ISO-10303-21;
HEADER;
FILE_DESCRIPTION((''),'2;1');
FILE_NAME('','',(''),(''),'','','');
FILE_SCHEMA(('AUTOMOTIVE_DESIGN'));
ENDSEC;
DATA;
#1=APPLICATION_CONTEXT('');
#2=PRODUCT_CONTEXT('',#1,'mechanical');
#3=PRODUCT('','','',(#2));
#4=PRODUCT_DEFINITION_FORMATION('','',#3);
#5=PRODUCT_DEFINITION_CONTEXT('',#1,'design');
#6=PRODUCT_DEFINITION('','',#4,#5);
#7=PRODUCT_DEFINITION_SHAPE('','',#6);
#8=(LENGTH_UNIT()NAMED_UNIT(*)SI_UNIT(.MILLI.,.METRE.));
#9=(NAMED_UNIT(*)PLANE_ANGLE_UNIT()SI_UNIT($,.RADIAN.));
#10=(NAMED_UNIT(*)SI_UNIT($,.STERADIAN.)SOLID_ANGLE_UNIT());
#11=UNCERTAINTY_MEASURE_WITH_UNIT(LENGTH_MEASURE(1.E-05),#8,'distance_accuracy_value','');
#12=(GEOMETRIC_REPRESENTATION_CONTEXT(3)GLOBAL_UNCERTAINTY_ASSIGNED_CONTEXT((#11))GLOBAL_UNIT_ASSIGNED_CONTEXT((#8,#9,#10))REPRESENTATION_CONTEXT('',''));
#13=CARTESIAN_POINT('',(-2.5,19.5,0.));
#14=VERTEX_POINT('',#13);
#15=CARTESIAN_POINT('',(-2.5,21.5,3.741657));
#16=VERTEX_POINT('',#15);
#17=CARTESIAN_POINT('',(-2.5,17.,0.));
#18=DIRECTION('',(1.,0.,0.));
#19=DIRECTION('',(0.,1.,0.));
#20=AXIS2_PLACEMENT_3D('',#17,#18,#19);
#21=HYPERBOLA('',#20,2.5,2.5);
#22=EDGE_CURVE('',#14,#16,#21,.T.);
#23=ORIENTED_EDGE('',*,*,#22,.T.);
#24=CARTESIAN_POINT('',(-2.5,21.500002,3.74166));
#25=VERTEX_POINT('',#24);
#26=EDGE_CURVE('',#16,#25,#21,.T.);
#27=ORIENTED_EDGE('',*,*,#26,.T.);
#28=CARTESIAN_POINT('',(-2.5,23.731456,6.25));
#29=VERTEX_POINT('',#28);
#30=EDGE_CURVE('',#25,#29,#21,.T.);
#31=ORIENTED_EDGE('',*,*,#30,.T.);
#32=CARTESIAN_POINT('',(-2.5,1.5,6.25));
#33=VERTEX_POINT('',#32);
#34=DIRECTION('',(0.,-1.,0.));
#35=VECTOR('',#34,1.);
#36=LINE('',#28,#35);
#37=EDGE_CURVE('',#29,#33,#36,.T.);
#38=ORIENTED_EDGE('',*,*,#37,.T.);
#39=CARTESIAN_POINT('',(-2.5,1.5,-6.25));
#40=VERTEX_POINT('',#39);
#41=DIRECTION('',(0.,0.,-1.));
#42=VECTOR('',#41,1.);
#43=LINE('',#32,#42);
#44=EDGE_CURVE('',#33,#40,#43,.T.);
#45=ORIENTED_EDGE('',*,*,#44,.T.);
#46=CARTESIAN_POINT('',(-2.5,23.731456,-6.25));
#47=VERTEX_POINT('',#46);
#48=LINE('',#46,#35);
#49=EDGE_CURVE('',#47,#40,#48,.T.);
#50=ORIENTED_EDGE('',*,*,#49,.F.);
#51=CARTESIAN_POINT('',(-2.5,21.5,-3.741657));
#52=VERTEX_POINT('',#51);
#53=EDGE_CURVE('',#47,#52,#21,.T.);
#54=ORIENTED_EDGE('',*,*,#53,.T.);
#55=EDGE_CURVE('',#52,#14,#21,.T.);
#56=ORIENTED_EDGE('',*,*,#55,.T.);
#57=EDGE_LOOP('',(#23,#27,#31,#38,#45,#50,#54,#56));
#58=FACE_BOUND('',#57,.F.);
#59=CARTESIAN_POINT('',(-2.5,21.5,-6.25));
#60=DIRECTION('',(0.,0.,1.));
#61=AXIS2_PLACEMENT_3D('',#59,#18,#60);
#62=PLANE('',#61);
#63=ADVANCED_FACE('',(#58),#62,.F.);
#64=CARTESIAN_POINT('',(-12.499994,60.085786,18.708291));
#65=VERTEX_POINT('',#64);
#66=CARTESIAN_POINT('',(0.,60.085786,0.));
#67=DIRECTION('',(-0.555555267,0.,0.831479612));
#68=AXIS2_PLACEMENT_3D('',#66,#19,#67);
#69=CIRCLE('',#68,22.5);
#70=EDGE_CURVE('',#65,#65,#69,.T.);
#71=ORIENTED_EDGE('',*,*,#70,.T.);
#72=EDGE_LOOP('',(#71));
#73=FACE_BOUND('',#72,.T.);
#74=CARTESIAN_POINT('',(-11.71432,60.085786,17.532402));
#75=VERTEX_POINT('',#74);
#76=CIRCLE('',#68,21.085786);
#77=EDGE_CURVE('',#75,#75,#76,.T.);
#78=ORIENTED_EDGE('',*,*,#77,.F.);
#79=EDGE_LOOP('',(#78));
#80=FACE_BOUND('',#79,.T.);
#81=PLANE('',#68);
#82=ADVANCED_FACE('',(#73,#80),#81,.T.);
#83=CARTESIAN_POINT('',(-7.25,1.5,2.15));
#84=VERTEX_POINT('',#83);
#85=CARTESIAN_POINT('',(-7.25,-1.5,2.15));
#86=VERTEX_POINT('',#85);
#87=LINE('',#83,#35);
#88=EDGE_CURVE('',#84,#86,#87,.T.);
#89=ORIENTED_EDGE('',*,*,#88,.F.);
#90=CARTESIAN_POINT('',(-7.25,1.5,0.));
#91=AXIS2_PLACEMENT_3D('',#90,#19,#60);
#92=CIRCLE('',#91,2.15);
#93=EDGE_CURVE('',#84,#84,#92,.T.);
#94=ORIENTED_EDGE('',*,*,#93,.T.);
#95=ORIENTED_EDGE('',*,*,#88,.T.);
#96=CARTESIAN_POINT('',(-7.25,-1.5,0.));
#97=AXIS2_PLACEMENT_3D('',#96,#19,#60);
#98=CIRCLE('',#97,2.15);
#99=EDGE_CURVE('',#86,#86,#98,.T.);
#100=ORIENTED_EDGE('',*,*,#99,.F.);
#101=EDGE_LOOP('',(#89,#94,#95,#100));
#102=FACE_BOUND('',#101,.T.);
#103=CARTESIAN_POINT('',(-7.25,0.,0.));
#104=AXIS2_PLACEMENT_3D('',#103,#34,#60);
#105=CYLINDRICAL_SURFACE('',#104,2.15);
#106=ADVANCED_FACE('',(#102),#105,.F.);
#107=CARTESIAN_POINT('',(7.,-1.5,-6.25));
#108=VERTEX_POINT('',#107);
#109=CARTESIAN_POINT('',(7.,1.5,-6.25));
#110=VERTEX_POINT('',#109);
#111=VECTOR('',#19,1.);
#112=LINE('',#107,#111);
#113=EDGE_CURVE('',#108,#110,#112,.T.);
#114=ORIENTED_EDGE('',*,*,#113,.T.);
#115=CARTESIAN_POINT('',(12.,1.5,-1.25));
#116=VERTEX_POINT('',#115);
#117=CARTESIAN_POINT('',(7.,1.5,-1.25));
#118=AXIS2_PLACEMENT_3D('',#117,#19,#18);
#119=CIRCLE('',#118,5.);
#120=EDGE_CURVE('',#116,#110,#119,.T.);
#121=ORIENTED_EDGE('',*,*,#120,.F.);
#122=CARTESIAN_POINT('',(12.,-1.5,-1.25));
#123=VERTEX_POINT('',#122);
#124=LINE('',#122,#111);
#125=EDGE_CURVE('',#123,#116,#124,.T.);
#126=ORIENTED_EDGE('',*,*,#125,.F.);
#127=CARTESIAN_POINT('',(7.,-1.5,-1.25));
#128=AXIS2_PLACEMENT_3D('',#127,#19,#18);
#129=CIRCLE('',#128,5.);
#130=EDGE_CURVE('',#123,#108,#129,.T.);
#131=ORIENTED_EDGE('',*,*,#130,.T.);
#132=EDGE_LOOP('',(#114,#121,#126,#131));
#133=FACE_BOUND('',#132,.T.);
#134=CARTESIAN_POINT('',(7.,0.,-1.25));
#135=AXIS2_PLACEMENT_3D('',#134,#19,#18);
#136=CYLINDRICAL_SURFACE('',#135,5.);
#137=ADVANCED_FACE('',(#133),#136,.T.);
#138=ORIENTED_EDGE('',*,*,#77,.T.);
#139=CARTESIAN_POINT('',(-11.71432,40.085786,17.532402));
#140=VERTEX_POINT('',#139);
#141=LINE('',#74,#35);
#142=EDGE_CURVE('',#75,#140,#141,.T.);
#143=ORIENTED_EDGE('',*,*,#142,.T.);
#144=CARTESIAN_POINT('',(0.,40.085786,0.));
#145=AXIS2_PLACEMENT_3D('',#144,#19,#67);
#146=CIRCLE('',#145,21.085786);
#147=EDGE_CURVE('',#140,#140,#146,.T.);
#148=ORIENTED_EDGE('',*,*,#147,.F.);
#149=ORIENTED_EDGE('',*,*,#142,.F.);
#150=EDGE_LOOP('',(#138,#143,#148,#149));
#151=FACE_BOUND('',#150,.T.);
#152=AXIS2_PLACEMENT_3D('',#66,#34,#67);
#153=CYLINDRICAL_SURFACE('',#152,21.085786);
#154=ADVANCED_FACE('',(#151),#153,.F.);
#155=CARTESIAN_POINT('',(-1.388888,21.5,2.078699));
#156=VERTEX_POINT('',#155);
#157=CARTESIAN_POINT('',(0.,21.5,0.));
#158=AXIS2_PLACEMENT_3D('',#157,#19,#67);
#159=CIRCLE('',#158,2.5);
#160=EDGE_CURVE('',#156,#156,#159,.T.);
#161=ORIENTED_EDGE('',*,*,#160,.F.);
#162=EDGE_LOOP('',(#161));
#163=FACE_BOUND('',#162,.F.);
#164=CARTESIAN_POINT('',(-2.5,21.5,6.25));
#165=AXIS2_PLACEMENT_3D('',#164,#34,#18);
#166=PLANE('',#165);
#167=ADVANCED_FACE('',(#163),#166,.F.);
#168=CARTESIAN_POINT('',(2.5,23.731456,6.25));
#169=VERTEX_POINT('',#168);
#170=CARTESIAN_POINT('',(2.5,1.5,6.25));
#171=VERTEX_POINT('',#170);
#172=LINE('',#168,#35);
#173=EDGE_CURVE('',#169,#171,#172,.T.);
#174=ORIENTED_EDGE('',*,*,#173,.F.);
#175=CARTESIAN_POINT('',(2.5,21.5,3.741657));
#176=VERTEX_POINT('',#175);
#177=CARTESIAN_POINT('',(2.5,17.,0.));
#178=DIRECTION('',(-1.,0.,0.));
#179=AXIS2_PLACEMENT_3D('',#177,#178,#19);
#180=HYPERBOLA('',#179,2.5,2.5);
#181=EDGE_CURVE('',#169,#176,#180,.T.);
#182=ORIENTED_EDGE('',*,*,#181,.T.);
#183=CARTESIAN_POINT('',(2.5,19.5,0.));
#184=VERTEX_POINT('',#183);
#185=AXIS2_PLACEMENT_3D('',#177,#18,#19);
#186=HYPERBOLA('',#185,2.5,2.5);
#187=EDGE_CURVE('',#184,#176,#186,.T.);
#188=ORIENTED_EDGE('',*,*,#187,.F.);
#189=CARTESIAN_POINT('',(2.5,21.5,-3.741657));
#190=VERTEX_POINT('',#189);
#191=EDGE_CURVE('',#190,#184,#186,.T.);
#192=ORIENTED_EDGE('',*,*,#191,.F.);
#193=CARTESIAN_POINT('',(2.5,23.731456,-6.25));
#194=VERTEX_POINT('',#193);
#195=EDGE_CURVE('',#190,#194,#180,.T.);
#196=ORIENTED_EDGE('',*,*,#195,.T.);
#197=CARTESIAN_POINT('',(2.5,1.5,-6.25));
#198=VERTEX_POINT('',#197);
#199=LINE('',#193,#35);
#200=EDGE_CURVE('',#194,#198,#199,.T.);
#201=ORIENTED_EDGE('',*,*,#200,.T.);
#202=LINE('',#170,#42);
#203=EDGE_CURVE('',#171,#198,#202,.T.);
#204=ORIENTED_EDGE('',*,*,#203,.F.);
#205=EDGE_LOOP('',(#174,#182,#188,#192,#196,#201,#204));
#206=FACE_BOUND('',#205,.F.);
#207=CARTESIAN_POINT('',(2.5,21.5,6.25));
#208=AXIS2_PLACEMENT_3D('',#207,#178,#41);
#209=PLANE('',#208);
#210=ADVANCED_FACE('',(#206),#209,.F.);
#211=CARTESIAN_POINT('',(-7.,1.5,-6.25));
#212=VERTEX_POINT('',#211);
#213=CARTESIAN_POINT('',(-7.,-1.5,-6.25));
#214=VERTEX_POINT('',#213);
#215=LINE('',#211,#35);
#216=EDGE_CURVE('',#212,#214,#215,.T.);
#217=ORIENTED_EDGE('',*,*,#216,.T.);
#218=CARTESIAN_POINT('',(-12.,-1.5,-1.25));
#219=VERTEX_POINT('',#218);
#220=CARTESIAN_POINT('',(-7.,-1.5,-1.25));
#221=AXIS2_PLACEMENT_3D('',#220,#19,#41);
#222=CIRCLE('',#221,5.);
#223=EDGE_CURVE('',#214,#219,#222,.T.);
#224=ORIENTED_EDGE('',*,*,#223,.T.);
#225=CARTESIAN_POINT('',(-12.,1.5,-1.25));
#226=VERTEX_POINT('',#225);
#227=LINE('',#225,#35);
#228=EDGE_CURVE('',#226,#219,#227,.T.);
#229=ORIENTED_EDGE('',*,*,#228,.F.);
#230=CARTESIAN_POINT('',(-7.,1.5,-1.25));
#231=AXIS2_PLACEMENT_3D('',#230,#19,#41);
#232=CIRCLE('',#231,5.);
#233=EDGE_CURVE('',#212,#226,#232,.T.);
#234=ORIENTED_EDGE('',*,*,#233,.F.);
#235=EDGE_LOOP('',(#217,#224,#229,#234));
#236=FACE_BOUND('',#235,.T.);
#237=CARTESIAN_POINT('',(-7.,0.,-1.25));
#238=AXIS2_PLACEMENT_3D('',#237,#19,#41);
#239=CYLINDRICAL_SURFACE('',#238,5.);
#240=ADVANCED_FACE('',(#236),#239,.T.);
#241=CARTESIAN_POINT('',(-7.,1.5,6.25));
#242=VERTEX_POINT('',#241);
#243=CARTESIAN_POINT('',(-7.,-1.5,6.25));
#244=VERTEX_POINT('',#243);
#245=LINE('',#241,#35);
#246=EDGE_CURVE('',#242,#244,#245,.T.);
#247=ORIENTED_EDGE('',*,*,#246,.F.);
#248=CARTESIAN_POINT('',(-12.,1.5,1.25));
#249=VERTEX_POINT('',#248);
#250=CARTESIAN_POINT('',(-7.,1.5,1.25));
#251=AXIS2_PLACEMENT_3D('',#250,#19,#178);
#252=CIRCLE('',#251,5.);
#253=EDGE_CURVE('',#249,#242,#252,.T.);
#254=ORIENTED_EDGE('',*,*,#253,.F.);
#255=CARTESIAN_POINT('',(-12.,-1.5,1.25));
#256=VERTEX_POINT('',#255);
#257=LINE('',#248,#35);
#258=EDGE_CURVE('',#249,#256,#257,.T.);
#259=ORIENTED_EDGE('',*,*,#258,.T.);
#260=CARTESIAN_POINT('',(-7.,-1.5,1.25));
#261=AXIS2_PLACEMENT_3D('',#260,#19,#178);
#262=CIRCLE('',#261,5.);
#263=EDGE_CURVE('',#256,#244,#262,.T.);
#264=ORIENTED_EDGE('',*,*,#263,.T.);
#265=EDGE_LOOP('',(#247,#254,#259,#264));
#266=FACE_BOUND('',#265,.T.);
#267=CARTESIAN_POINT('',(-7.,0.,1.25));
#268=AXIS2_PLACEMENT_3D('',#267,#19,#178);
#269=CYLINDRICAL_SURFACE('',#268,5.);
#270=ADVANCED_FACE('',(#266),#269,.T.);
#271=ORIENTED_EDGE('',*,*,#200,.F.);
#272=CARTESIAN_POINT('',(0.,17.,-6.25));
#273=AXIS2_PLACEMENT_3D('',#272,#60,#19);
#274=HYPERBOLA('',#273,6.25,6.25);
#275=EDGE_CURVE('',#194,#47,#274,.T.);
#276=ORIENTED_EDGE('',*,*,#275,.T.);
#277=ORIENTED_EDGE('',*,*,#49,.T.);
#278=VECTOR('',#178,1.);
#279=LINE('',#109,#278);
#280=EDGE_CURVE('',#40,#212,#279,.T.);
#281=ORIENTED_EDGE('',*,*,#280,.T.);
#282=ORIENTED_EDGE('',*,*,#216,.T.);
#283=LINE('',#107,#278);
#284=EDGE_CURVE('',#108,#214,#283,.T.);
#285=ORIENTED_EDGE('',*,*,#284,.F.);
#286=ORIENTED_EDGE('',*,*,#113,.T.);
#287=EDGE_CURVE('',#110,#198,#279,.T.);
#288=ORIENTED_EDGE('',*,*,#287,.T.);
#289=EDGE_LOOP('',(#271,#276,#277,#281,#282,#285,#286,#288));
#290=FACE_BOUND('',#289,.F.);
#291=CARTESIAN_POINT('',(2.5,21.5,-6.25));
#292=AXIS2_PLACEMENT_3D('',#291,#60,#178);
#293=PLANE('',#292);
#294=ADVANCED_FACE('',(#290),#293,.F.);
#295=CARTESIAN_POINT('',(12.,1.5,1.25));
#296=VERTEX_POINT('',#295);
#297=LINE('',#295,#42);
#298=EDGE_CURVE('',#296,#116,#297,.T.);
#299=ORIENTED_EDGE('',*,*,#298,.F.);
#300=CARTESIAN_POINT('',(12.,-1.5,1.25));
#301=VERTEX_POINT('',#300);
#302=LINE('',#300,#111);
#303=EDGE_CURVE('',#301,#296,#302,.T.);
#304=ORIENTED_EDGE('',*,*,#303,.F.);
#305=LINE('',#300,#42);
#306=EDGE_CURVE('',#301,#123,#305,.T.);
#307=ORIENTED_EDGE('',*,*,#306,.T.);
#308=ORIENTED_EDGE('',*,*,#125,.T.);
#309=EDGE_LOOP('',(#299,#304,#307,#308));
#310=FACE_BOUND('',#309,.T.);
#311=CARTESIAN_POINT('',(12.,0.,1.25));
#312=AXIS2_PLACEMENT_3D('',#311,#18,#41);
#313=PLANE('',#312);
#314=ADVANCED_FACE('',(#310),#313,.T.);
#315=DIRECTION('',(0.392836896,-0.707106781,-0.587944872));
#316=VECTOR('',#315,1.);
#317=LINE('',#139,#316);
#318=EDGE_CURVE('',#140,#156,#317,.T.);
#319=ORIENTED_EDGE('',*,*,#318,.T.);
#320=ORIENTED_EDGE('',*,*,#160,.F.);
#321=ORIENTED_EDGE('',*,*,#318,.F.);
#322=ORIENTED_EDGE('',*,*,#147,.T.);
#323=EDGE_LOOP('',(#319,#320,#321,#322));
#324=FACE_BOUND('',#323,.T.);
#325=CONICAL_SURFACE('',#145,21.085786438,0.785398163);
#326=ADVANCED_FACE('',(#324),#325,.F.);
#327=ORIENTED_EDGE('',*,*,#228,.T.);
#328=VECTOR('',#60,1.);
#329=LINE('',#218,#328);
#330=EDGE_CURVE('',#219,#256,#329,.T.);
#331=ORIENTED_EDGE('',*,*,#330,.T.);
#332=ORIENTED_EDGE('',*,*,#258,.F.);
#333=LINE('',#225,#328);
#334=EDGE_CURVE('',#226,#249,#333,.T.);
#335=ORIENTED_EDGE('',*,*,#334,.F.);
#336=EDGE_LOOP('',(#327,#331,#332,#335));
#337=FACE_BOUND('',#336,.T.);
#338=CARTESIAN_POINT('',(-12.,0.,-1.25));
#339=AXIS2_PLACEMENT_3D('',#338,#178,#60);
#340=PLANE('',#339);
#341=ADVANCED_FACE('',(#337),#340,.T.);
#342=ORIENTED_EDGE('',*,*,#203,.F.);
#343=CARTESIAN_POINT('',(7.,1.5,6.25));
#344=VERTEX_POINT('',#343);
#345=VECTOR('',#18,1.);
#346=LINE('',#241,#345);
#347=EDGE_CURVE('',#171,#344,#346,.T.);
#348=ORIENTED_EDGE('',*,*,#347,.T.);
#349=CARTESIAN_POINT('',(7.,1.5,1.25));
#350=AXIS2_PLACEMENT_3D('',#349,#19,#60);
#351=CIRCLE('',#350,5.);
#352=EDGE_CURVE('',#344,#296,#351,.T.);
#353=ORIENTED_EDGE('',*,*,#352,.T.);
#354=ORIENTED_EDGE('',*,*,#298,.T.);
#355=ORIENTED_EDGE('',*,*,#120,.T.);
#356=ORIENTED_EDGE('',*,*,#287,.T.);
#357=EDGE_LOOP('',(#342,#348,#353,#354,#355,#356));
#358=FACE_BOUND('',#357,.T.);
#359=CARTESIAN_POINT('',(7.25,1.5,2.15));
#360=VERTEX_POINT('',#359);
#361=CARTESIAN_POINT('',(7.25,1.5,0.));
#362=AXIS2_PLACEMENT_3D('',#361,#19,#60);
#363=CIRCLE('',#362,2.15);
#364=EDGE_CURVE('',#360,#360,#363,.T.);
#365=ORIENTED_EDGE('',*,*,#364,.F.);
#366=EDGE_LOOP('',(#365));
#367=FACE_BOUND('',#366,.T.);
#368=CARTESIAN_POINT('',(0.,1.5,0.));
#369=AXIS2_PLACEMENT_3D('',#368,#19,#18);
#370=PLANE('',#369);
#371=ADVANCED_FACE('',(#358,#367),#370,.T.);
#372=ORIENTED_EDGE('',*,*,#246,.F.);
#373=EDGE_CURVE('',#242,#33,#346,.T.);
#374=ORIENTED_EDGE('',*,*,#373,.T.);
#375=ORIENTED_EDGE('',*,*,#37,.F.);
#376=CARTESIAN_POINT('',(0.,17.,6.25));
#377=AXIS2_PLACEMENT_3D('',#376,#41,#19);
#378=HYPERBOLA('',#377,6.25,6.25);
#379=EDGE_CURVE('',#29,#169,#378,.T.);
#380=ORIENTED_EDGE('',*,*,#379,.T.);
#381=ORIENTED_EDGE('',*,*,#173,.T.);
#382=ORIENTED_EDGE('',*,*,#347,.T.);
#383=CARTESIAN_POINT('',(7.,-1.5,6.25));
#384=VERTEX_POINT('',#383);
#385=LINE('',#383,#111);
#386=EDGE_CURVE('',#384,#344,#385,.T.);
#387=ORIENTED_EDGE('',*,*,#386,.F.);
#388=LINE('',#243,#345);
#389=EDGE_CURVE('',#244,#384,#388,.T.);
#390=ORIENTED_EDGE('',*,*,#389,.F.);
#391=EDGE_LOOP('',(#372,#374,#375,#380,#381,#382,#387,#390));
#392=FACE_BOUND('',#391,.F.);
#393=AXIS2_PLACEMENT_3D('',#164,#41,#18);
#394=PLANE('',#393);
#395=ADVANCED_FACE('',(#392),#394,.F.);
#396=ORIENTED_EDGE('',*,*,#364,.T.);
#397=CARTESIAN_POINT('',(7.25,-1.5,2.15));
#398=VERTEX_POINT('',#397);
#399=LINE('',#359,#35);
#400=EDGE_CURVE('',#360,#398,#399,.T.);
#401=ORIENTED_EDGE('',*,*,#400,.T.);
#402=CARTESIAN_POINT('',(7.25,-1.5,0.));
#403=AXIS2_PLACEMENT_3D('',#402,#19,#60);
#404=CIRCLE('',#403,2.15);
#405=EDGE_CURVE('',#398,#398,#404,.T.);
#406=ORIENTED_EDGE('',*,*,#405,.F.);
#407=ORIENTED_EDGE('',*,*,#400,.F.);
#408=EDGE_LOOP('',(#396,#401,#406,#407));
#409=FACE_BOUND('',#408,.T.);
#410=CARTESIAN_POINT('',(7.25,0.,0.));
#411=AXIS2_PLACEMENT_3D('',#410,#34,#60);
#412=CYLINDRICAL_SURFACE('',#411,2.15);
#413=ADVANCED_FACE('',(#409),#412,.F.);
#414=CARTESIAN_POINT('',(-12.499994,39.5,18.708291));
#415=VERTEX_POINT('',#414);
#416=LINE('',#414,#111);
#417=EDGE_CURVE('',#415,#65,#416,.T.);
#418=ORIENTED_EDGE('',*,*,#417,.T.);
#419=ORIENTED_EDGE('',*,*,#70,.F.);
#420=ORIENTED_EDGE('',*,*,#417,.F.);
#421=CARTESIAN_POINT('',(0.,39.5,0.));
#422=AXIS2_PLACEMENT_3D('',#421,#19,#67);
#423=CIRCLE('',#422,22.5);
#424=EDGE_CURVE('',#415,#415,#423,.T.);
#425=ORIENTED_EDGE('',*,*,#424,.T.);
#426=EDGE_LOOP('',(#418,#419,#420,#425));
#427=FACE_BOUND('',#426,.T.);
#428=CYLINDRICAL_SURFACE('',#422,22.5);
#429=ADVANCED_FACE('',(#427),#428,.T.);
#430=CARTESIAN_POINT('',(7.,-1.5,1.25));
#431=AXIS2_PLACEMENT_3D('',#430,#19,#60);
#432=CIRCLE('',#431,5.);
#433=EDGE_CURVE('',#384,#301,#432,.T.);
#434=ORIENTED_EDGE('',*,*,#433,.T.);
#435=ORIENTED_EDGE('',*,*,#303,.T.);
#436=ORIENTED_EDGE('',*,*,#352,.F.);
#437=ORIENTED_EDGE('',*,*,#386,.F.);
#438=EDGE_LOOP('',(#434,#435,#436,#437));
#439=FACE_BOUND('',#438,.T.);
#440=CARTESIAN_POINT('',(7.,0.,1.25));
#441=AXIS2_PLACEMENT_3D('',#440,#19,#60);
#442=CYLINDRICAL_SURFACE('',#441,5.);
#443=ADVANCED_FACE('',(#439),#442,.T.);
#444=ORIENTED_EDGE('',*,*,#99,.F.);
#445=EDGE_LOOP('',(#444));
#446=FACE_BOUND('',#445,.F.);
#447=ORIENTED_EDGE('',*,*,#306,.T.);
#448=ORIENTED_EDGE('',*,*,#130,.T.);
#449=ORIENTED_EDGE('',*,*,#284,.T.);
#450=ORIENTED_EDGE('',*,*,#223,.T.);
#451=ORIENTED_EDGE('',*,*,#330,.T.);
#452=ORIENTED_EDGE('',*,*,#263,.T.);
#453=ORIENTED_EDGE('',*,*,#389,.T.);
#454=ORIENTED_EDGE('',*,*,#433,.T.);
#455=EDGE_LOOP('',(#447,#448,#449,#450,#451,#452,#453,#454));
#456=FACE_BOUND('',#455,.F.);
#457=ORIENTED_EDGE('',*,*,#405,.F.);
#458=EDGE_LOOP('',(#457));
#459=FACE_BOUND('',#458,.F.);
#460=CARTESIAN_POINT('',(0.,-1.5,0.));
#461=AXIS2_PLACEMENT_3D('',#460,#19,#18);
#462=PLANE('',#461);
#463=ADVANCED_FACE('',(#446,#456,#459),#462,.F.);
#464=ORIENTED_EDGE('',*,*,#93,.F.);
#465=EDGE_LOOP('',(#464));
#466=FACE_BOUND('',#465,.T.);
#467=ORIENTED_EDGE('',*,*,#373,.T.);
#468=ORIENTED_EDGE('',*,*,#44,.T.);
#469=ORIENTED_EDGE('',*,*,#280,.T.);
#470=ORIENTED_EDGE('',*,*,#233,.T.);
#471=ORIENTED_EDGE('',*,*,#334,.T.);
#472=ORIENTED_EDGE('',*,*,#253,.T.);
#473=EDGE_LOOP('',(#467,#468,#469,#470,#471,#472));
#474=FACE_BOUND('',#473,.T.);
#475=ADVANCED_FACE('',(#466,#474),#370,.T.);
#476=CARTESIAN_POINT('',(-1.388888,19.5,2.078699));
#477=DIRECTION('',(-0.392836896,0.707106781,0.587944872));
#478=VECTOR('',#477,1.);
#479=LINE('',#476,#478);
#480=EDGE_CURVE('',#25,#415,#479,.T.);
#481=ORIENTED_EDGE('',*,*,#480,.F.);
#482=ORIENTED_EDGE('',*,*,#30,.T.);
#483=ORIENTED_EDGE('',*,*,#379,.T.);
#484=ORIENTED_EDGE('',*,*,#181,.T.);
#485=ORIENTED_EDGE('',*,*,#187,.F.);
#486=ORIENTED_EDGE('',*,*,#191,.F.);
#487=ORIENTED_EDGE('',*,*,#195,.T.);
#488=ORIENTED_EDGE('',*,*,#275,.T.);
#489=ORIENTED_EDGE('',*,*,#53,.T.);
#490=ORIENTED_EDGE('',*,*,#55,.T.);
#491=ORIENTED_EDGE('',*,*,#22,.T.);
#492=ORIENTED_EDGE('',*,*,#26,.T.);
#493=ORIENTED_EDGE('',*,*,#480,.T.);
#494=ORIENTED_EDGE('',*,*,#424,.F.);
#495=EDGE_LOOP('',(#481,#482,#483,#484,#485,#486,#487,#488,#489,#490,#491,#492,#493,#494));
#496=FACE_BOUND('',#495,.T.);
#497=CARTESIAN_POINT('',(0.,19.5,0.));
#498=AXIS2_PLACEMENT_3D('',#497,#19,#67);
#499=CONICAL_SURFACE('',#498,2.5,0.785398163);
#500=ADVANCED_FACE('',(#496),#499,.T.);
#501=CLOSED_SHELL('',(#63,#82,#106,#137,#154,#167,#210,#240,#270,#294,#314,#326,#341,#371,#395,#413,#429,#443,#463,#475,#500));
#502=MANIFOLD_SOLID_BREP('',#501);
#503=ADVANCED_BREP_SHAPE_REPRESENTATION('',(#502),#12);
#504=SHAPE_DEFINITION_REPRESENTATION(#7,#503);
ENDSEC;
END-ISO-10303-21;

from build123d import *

# Parameters (mm, degrees)
SKETCH1_R           = 2.15
BOSS_EXTRUDE1_DEPTH = 1.5
SKETCH3_W           = 5
SKETCH3_H           = 20
BOSS_EXTRUDE3_DEPTH = 12.5
BOSS_EXTRUDE4_REACH = 52.014


with BuildPart() as part:
    # Sketch1 → Boss-Extrude1 (new, symmetric)
    with BuildSketch(Plane(origin=(0, 0, 0), x_dir=(1, 0, 0), z_dir=(0, 1, 0))):
        with BuildLine():
            Line((-7, -6.25), (7, -6.25))
            ThreePointArc((7, -6.25), (10.535533906, -4.785533906), (12, -1.25))
            Line((12, -1.25), (12, 1.25))
            ThreePointArc((12, 1.25), (10.535533906, 4.785533906), (7, 6.25))
            Line((7, 6.25), (-7, 6.25))
            ThreePointArc((-7, 6.25), (-10.535533906, 4.785533906), (-12, 1.25))
            Line((-12, 1.25), (-12, -1.25))
            ThreePointArc((-12, -1.25), (-10.535533906, -4.785533906), (-7, -6.25))
        make_face()
        with Locations(Location((-7.25, 0, 0), (0, 0, 270))):
            Circle(SKETCH1_R, mode=Mode.SUBTRACT)
        with Locations(Location((7.25, 0, 0), (0, 0, 270))):
            Circle(SKETCH1_R, mode=Mode.SUBTRACT)
    extrude(amount=BOSS_EXTRUDE1_DEPTH, both=True)

    # Sketch3 → Boss-Extrude3 (add)
    with BuildSketch(Plane.XY.offset(6.25)):
        with Locations((0, 11.5)):
            Rectangle(SKETCH3_W, SKETCH3_H)
    extrude(amount=-BOSS_EXTRUDE3_DEPTH)

    # Sketch4 → Revolve1 (revolve)
    with BuildSketch(Plane.XY, mode=Mode.PRIVATE) as revolve1_sk:
        Polygon((-2.5, 19.5), (-22.5, 39.5), (-22.5, 60.085786438), (-21.085786438, 60.085786438), (-21.085786438, 40.085786438), (-2.5, 21.5), (0, 21.5), (0, 19.5), align=None)
    revolve(revolve1_sk.sketch.rotate(Axis((0, 0, 0), (0, 1, 0)), 56.251031305), axis=Axis((0, 0, 0), (0, 1, 0)))

    # Sketch5 → Boss-Extrude4 (add, up to next)
    with BuildSketch(Plane(origin=(0, 21.5, 0), x_dir=(1, 0, 0), z_dir=(0, 1, 0)), mode=Mode.PRIVATE) as boss_extrude4_sk1:
        with BuildLine():
            Line((2.5, -6.25), (2.5, -3.741657387))
            ThreePointArc((2.5, -3.741657387), (0, -4.5), (-2.5, -3.741657387))
            Line((-2.5, -3.741657387), (-2.5, -6.25))
            Line((-2.5, -6.25), (2.5, -6.25))
        make_face()
    boss_extrude4_tool1 = extrude(boss_extrude4_sk1.sketch, amount=BOSS_EXTRUDE4_REACH, mode=Mode.PRIVATE) - part.part
    # Sketch5 → Boss-Extrude4 (add, up to next)
    with BuildSketch(Plane(origin=(0, 21.5, 0), x_dir=(1, 0, 0), z_dir=(0, 1, 0)), mode=Mode.PRIVATE) as boss_extrude4_sk2:
        with BuildLine():
            Line((-2.5, 6.25), (-2.5, 3.741657387))
            ThreePointArc((-2.5, 3.741657387), (0, 4.5), (2.5, 3.741657387))
            Line((2.5, 3.741657387), (2.5, 6.25))
            Line((2.5, 6.25), (-2.5, 6.25))
        make_face()
    boss_extrude4_tool2 = extrude(boss_extrude4_sk2.sketch, amount=BOSS_EXTRUDE4_REACH, mode=Mode.PRIVATE) - part.part
    add(boss_extrude4_tool1.solids().sort_by_distance((0, 21.5, 5.24074))[0])
    add(boss_extrude4_tool2.solids().sort_by_distance((0, 21.5, -5.24074))[0])


solid = part.part
